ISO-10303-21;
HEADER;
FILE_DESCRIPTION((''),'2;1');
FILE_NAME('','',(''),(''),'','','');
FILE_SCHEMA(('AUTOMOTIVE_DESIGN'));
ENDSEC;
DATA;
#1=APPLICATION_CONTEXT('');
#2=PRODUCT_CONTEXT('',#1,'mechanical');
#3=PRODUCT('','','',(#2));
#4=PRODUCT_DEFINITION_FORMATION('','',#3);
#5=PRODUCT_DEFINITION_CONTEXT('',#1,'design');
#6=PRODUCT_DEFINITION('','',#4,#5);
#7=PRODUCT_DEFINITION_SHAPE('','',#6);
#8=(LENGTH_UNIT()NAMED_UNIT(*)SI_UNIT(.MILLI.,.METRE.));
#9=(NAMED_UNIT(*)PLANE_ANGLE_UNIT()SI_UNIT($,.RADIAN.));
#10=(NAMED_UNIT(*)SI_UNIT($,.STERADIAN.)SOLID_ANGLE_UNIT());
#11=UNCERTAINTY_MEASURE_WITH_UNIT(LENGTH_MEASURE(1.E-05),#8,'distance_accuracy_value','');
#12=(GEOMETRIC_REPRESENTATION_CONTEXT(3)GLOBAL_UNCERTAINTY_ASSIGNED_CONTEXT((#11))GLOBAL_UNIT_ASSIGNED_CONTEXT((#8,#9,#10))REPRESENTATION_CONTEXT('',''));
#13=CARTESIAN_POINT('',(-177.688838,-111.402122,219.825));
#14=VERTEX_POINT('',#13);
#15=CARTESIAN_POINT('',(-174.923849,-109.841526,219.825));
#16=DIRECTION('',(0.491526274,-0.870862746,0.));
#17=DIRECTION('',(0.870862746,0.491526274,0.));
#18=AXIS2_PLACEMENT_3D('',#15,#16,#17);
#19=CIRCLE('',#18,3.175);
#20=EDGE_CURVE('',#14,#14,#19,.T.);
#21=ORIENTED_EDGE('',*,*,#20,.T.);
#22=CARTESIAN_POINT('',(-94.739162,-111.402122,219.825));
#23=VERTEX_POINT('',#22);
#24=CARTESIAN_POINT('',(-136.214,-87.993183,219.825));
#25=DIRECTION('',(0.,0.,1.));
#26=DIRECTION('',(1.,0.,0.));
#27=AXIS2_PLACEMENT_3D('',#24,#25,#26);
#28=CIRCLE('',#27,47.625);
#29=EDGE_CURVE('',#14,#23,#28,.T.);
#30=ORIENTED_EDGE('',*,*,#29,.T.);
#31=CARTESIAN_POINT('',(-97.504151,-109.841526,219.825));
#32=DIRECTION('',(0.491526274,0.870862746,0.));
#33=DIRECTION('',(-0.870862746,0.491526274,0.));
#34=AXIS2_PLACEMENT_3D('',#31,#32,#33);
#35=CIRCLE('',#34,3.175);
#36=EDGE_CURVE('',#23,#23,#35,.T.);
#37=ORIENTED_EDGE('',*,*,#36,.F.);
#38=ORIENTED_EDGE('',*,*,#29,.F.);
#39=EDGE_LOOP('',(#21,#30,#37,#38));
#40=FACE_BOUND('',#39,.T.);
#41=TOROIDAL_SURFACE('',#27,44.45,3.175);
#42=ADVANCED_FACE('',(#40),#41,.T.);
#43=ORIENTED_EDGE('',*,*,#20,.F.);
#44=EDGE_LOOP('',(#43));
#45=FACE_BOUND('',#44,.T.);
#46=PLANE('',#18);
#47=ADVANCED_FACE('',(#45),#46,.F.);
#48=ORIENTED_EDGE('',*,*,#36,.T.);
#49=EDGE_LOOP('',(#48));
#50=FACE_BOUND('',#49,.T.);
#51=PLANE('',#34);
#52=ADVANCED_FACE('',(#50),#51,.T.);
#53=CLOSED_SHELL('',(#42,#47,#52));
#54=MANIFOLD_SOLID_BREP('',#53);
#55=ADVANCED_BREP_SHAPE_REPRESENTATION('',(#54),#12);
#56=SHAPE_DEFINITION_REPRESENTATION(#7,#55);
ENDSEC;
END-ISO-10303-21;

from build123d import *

# Parameters (mm, degrees)
SWEEP1_PROFILE_R = 3.175


with BuildPart() as part:
    # Sweep1: sweep along a curve in space
    with BuildLine() as sweep1_path:
        ThreePointArc((-174.923849042, -109.841525958, 219.8250001), (-136.214, -132.443183065, 219.8250001), (-97.504150958, -109.841525958, 219.8250001))
    # Sweep1 profile (on start of the path) → Sweep1 (sweep)
    with BuildSketch(Plane(origin=(-174.923849042, -109.841525958, 219.8250001), x_dir=(-0.8708627455952885, -0.49152627430711754, 0), z_dir=(0.49152627430711754, -0.8708627455952885, 7.479117909234271e-15))):
        Circle(SWEEP1_PROFILE_R)
    sweep(path=sweep1_path.line)


solid = part.part
